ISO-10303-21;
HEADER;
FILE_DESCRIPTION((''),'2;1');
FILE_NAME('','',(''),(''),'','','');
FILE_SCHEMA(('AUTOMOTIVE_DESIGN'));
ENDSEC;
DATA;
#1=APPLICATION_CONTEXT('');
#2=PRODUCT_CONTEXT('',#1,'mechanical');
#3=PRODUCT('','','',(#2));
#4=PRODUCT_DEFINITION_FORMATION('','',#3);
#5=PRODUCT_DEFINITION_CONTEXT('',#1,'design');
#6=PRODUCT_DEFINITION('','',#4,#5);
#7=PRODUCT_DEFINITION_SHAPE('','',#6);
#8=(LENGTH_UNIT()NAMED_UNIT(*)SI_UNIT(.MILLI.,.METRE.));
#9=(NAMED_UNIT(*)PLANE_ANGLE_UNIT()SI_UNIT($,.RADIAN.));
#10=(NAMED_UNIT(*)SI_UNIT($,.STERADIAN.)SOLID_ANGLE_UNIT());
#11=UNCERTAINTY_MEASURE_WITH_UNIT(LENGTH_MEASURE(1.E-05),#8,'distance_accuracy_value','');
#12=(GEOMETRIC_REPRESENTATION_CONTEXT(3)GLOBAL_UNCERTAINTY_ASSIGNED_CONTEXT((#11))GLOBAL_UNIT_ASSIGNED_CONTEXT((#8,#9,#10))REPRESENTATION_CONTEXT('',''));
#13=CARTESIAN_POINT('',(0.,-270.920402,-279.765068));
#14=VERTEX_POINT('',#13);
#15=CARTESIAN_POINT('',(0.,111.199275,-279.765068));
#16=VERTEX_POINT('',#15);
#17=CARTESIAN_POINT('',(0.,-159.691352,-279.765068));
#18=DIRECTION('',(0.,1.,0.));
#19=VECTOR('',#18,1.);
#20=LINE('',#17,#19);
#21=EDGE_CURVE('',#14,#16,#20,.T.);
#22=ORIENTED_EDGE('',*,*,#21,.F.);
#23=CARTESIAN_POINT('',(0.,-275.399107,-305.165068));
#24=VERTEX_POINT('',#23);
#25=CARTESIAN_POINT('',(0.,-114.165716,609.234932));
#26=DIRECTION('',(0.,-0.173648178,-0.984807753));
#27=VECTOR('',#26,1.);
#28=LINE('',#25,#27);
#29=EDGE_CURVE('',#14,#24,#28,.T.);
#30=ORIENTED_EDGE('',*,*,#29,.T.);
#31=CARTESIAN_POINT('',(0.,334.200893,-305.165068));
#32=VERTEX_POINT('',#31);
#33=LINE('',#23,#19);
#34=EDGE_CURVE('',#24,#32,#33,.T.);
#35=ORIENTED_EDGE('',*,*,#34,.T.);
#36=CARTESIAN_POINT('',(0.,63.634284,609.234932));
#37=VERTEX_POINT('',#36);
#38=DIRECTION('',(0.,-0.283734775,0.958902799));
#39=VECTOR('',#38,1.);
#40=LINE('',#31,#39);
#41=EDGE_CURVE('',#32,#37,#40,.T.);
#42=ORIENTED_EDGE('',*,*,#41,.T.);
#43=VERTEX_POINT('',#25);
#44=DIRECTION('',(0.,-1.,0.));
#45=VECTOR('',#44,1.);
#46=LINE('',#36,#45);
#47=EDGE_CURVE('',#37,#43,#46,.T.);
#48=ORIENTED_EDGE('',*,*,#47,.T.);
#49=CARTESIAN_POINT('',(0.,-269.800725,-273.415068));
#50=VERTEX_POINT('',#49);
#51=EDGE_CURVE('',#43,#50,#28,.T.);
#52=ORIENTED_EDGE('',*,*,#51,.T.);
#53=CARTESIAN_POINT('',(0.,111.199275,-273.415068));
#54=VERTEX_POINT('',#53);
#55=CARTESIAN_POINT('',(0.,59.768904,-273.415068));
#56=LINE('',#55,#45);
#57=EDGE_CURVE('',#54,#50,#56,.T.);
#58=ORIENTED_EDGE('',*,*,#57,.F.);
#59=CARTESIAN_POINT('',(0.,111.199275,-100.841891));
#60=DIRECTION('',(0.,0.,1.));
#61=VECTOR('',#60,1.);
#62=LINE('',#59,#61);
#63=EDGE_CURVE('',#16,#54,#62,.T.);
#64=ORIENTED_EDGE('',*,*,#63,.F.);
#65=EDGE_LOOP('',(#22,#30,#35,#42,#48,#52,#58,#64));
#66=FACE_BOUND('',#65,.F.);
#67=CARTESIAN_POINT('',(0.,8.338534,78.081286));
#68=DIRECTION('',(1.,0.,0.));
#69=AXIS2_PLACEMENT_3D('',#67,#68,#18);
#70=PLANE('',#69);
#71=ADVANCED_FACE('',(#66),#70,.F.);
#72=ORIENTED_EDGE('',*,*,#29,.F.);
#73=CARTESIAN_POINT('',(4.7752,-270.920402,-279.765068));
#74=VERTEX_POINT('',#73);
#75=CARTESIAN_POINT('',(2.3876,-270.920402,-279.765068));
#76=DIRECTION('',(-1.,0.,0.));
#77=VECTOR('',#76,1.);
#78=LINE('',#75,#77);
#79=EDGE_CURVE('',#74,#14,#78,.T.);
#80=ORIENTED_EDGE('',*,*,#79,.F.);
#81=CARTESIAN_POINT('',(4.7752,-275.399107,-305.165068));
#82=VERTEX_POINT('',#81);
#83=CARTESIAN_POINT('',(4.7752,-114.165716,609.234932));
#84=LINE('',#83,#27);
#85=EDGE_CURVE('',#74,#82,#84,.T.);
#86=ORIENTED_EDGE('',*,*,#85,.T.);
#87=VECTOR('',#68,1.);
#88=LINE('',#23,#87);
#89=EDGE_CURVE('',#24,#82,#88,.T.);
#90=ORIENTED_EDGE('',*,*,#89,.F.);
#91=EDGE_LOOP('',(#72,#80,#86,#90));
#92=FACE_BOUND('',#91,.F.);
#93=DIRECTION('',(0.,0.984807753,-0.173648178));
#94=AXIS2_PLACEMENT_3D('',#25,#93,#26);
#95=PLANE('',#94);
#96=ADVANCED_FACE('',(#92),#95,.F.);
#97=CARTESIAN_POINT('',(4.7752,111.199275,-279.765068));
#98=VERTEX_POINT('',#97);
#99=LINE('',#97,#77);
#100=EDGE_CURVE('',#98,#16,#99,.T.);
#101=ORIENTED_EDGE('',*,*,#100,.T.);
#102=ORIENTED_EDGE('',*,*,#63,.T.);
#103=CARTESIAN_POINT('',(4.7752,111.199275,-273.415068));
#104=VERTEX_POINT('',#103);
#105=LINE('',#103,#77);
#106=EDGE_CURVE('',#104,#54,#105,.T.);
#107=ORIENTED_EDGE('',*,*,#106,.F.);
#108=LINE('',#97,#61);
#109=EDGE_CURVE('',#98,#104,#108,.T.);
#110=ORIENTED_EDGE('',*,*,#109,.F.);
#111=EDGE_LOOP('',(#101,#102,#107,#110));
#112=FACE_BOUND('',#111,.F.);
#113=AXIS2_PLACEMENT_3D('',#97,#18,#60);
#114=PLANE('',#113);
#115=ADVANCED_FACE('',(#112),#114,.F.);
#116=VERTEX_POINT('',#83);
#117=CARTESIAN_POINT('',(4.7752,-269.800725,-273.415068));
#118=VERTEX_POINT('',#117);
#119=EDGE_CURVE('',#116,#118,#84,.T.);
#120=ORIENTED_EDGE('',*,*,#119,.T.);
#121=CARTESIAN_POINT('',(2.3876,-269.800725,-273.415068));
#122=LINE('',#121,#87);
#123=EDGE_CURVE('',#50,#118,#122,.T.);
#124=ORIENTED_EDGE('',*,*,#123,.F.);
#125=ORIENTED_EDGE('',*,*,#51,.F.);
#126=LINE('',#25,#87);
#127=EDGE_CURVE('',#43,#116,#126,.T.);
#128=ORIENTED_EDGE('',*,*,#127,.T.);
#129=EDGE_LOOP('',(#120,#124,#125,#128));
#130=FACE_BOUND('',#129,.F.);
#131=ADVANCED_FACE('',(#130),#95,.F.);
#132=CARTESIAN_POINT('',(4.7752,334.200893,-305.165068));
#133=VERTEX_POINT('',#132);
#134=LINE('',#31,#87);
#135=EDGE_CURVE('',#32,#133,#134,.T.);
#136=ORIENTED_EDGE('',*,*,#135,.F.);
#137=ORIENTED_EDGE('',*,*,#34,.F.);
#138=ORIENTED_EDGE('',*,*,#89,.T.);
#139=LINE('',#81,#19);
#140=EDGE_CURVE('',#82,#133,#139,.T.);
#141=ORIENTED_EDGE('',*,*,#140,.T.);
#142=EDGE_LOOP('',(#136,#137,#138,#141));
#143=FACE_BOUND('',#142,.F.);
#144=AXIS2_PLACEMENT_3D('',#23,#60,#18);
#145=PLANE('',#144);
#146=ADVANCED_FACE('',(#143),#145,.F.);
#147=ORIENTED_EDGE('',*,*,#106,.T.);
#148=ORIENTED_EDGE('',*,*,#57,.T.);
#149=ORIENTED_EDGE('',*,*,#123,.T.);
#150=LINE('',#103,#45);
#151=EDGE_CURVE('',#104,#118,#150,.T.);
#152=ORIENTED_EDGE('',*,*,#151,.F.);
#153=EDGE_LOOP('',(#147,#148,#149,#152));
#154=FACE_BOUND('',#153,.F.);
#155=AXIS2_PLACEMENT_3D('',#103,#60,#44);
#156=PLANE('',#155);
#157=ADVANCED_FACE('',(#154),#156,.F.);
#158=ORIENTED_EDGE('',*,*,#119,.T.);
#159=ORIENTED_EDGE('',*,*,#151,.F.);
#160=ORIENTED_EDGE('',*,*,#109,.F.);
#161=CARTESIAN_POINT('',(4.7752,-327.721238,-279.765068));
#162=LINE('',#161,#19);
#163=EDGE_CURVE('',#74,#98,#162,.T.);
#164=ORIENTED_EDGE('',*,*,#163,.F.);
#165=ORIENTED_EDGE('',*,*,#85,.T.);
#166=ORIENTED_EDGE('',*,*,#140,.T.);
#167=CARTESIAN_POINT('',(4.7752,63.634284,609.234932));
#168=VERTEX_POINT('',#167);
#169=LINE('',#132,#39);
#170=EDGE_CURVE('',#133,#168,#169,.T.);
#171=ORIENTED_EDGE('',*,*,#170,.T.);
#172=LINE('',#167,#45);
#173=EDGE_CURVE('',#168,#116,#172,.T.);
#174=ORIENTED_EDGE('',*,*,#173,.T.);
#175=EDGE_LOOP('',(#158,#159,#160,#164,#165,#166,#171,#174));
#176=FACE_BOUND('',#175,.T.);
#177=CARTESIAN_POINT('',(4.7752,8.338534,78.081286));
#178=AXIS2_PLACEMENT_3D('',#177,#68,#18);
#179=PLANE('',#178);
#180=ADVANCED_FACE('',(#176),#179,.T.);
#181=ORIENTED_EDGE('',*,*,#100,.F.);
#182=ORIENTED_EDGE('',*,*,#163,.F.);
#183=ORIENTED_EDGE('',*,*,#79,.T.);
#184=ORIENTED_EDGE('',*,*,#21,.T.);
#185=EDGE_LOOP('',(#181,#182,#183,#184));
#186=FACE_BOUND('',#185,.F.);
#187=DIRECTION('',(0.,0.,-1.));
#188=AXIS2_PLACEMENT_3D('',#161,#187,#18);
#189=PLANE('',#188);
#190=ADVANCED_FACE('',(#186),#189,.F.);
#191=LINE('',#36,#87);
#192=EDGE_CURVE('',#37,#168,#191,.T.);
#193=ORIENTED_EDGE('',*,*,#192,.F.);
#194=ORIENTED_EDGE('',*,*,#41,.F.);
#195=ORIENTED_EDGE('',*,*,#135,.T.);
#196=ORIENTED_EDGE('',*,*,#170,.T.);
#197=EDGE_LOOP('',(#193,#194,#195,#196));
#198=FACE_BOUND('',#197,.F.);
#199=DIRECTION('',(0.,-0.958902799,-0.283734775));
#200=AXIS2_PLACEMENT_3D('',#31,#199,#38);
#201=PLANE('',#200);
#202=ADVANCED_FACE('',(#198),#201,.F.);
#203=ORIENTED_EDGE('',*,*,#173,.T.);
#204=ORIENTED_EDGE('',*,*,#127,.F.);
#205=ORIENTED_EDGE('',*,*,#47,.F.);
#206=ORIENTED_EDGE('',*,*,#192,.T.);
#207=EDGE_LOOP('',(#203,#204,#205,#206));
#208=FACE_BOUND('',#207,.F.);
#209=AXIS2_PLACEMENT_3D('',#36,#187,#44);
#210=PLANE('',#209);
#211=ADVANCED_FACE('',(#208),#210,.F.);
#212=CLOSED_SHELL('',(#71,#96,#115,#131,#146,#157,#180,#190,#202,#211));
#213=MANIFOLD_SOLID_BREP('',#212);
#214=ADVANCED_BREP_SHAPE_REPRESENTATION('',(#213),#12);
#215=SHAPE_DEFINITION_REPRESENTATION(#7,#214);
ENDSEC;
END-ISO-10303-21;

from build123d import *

# Parameters (mm, degrees)
F1_DEPTH = 4.7752
F3_DEPTH = 25.4


with BuildPart() as f1:
    # F0 (on Right) → F1 (new body)
    with BuildSketch(Plane.YZ):
        Polygon((63.634284, 609.234932), (-114.165716, 609.234932), (-275.399107, -305.165068), (334.200893, -305.165068), align=None)
    extrude(amount=F1_DEPTH)

    # F2 (on face) → F3 (cut)
    with BuildSketch(Plane.YZ.offset(4.7752)):
        Polygon((111.199275, -273.415068), (-269.800725, -273.415068), (-327.721238, -273.415068), (-327.721238, -279.765068), (111.199275, -279.765068), align=None)
    extrude(amount=-F3_DEPTH, mode=Mode.SUBTRACT)


solid = f1.part
